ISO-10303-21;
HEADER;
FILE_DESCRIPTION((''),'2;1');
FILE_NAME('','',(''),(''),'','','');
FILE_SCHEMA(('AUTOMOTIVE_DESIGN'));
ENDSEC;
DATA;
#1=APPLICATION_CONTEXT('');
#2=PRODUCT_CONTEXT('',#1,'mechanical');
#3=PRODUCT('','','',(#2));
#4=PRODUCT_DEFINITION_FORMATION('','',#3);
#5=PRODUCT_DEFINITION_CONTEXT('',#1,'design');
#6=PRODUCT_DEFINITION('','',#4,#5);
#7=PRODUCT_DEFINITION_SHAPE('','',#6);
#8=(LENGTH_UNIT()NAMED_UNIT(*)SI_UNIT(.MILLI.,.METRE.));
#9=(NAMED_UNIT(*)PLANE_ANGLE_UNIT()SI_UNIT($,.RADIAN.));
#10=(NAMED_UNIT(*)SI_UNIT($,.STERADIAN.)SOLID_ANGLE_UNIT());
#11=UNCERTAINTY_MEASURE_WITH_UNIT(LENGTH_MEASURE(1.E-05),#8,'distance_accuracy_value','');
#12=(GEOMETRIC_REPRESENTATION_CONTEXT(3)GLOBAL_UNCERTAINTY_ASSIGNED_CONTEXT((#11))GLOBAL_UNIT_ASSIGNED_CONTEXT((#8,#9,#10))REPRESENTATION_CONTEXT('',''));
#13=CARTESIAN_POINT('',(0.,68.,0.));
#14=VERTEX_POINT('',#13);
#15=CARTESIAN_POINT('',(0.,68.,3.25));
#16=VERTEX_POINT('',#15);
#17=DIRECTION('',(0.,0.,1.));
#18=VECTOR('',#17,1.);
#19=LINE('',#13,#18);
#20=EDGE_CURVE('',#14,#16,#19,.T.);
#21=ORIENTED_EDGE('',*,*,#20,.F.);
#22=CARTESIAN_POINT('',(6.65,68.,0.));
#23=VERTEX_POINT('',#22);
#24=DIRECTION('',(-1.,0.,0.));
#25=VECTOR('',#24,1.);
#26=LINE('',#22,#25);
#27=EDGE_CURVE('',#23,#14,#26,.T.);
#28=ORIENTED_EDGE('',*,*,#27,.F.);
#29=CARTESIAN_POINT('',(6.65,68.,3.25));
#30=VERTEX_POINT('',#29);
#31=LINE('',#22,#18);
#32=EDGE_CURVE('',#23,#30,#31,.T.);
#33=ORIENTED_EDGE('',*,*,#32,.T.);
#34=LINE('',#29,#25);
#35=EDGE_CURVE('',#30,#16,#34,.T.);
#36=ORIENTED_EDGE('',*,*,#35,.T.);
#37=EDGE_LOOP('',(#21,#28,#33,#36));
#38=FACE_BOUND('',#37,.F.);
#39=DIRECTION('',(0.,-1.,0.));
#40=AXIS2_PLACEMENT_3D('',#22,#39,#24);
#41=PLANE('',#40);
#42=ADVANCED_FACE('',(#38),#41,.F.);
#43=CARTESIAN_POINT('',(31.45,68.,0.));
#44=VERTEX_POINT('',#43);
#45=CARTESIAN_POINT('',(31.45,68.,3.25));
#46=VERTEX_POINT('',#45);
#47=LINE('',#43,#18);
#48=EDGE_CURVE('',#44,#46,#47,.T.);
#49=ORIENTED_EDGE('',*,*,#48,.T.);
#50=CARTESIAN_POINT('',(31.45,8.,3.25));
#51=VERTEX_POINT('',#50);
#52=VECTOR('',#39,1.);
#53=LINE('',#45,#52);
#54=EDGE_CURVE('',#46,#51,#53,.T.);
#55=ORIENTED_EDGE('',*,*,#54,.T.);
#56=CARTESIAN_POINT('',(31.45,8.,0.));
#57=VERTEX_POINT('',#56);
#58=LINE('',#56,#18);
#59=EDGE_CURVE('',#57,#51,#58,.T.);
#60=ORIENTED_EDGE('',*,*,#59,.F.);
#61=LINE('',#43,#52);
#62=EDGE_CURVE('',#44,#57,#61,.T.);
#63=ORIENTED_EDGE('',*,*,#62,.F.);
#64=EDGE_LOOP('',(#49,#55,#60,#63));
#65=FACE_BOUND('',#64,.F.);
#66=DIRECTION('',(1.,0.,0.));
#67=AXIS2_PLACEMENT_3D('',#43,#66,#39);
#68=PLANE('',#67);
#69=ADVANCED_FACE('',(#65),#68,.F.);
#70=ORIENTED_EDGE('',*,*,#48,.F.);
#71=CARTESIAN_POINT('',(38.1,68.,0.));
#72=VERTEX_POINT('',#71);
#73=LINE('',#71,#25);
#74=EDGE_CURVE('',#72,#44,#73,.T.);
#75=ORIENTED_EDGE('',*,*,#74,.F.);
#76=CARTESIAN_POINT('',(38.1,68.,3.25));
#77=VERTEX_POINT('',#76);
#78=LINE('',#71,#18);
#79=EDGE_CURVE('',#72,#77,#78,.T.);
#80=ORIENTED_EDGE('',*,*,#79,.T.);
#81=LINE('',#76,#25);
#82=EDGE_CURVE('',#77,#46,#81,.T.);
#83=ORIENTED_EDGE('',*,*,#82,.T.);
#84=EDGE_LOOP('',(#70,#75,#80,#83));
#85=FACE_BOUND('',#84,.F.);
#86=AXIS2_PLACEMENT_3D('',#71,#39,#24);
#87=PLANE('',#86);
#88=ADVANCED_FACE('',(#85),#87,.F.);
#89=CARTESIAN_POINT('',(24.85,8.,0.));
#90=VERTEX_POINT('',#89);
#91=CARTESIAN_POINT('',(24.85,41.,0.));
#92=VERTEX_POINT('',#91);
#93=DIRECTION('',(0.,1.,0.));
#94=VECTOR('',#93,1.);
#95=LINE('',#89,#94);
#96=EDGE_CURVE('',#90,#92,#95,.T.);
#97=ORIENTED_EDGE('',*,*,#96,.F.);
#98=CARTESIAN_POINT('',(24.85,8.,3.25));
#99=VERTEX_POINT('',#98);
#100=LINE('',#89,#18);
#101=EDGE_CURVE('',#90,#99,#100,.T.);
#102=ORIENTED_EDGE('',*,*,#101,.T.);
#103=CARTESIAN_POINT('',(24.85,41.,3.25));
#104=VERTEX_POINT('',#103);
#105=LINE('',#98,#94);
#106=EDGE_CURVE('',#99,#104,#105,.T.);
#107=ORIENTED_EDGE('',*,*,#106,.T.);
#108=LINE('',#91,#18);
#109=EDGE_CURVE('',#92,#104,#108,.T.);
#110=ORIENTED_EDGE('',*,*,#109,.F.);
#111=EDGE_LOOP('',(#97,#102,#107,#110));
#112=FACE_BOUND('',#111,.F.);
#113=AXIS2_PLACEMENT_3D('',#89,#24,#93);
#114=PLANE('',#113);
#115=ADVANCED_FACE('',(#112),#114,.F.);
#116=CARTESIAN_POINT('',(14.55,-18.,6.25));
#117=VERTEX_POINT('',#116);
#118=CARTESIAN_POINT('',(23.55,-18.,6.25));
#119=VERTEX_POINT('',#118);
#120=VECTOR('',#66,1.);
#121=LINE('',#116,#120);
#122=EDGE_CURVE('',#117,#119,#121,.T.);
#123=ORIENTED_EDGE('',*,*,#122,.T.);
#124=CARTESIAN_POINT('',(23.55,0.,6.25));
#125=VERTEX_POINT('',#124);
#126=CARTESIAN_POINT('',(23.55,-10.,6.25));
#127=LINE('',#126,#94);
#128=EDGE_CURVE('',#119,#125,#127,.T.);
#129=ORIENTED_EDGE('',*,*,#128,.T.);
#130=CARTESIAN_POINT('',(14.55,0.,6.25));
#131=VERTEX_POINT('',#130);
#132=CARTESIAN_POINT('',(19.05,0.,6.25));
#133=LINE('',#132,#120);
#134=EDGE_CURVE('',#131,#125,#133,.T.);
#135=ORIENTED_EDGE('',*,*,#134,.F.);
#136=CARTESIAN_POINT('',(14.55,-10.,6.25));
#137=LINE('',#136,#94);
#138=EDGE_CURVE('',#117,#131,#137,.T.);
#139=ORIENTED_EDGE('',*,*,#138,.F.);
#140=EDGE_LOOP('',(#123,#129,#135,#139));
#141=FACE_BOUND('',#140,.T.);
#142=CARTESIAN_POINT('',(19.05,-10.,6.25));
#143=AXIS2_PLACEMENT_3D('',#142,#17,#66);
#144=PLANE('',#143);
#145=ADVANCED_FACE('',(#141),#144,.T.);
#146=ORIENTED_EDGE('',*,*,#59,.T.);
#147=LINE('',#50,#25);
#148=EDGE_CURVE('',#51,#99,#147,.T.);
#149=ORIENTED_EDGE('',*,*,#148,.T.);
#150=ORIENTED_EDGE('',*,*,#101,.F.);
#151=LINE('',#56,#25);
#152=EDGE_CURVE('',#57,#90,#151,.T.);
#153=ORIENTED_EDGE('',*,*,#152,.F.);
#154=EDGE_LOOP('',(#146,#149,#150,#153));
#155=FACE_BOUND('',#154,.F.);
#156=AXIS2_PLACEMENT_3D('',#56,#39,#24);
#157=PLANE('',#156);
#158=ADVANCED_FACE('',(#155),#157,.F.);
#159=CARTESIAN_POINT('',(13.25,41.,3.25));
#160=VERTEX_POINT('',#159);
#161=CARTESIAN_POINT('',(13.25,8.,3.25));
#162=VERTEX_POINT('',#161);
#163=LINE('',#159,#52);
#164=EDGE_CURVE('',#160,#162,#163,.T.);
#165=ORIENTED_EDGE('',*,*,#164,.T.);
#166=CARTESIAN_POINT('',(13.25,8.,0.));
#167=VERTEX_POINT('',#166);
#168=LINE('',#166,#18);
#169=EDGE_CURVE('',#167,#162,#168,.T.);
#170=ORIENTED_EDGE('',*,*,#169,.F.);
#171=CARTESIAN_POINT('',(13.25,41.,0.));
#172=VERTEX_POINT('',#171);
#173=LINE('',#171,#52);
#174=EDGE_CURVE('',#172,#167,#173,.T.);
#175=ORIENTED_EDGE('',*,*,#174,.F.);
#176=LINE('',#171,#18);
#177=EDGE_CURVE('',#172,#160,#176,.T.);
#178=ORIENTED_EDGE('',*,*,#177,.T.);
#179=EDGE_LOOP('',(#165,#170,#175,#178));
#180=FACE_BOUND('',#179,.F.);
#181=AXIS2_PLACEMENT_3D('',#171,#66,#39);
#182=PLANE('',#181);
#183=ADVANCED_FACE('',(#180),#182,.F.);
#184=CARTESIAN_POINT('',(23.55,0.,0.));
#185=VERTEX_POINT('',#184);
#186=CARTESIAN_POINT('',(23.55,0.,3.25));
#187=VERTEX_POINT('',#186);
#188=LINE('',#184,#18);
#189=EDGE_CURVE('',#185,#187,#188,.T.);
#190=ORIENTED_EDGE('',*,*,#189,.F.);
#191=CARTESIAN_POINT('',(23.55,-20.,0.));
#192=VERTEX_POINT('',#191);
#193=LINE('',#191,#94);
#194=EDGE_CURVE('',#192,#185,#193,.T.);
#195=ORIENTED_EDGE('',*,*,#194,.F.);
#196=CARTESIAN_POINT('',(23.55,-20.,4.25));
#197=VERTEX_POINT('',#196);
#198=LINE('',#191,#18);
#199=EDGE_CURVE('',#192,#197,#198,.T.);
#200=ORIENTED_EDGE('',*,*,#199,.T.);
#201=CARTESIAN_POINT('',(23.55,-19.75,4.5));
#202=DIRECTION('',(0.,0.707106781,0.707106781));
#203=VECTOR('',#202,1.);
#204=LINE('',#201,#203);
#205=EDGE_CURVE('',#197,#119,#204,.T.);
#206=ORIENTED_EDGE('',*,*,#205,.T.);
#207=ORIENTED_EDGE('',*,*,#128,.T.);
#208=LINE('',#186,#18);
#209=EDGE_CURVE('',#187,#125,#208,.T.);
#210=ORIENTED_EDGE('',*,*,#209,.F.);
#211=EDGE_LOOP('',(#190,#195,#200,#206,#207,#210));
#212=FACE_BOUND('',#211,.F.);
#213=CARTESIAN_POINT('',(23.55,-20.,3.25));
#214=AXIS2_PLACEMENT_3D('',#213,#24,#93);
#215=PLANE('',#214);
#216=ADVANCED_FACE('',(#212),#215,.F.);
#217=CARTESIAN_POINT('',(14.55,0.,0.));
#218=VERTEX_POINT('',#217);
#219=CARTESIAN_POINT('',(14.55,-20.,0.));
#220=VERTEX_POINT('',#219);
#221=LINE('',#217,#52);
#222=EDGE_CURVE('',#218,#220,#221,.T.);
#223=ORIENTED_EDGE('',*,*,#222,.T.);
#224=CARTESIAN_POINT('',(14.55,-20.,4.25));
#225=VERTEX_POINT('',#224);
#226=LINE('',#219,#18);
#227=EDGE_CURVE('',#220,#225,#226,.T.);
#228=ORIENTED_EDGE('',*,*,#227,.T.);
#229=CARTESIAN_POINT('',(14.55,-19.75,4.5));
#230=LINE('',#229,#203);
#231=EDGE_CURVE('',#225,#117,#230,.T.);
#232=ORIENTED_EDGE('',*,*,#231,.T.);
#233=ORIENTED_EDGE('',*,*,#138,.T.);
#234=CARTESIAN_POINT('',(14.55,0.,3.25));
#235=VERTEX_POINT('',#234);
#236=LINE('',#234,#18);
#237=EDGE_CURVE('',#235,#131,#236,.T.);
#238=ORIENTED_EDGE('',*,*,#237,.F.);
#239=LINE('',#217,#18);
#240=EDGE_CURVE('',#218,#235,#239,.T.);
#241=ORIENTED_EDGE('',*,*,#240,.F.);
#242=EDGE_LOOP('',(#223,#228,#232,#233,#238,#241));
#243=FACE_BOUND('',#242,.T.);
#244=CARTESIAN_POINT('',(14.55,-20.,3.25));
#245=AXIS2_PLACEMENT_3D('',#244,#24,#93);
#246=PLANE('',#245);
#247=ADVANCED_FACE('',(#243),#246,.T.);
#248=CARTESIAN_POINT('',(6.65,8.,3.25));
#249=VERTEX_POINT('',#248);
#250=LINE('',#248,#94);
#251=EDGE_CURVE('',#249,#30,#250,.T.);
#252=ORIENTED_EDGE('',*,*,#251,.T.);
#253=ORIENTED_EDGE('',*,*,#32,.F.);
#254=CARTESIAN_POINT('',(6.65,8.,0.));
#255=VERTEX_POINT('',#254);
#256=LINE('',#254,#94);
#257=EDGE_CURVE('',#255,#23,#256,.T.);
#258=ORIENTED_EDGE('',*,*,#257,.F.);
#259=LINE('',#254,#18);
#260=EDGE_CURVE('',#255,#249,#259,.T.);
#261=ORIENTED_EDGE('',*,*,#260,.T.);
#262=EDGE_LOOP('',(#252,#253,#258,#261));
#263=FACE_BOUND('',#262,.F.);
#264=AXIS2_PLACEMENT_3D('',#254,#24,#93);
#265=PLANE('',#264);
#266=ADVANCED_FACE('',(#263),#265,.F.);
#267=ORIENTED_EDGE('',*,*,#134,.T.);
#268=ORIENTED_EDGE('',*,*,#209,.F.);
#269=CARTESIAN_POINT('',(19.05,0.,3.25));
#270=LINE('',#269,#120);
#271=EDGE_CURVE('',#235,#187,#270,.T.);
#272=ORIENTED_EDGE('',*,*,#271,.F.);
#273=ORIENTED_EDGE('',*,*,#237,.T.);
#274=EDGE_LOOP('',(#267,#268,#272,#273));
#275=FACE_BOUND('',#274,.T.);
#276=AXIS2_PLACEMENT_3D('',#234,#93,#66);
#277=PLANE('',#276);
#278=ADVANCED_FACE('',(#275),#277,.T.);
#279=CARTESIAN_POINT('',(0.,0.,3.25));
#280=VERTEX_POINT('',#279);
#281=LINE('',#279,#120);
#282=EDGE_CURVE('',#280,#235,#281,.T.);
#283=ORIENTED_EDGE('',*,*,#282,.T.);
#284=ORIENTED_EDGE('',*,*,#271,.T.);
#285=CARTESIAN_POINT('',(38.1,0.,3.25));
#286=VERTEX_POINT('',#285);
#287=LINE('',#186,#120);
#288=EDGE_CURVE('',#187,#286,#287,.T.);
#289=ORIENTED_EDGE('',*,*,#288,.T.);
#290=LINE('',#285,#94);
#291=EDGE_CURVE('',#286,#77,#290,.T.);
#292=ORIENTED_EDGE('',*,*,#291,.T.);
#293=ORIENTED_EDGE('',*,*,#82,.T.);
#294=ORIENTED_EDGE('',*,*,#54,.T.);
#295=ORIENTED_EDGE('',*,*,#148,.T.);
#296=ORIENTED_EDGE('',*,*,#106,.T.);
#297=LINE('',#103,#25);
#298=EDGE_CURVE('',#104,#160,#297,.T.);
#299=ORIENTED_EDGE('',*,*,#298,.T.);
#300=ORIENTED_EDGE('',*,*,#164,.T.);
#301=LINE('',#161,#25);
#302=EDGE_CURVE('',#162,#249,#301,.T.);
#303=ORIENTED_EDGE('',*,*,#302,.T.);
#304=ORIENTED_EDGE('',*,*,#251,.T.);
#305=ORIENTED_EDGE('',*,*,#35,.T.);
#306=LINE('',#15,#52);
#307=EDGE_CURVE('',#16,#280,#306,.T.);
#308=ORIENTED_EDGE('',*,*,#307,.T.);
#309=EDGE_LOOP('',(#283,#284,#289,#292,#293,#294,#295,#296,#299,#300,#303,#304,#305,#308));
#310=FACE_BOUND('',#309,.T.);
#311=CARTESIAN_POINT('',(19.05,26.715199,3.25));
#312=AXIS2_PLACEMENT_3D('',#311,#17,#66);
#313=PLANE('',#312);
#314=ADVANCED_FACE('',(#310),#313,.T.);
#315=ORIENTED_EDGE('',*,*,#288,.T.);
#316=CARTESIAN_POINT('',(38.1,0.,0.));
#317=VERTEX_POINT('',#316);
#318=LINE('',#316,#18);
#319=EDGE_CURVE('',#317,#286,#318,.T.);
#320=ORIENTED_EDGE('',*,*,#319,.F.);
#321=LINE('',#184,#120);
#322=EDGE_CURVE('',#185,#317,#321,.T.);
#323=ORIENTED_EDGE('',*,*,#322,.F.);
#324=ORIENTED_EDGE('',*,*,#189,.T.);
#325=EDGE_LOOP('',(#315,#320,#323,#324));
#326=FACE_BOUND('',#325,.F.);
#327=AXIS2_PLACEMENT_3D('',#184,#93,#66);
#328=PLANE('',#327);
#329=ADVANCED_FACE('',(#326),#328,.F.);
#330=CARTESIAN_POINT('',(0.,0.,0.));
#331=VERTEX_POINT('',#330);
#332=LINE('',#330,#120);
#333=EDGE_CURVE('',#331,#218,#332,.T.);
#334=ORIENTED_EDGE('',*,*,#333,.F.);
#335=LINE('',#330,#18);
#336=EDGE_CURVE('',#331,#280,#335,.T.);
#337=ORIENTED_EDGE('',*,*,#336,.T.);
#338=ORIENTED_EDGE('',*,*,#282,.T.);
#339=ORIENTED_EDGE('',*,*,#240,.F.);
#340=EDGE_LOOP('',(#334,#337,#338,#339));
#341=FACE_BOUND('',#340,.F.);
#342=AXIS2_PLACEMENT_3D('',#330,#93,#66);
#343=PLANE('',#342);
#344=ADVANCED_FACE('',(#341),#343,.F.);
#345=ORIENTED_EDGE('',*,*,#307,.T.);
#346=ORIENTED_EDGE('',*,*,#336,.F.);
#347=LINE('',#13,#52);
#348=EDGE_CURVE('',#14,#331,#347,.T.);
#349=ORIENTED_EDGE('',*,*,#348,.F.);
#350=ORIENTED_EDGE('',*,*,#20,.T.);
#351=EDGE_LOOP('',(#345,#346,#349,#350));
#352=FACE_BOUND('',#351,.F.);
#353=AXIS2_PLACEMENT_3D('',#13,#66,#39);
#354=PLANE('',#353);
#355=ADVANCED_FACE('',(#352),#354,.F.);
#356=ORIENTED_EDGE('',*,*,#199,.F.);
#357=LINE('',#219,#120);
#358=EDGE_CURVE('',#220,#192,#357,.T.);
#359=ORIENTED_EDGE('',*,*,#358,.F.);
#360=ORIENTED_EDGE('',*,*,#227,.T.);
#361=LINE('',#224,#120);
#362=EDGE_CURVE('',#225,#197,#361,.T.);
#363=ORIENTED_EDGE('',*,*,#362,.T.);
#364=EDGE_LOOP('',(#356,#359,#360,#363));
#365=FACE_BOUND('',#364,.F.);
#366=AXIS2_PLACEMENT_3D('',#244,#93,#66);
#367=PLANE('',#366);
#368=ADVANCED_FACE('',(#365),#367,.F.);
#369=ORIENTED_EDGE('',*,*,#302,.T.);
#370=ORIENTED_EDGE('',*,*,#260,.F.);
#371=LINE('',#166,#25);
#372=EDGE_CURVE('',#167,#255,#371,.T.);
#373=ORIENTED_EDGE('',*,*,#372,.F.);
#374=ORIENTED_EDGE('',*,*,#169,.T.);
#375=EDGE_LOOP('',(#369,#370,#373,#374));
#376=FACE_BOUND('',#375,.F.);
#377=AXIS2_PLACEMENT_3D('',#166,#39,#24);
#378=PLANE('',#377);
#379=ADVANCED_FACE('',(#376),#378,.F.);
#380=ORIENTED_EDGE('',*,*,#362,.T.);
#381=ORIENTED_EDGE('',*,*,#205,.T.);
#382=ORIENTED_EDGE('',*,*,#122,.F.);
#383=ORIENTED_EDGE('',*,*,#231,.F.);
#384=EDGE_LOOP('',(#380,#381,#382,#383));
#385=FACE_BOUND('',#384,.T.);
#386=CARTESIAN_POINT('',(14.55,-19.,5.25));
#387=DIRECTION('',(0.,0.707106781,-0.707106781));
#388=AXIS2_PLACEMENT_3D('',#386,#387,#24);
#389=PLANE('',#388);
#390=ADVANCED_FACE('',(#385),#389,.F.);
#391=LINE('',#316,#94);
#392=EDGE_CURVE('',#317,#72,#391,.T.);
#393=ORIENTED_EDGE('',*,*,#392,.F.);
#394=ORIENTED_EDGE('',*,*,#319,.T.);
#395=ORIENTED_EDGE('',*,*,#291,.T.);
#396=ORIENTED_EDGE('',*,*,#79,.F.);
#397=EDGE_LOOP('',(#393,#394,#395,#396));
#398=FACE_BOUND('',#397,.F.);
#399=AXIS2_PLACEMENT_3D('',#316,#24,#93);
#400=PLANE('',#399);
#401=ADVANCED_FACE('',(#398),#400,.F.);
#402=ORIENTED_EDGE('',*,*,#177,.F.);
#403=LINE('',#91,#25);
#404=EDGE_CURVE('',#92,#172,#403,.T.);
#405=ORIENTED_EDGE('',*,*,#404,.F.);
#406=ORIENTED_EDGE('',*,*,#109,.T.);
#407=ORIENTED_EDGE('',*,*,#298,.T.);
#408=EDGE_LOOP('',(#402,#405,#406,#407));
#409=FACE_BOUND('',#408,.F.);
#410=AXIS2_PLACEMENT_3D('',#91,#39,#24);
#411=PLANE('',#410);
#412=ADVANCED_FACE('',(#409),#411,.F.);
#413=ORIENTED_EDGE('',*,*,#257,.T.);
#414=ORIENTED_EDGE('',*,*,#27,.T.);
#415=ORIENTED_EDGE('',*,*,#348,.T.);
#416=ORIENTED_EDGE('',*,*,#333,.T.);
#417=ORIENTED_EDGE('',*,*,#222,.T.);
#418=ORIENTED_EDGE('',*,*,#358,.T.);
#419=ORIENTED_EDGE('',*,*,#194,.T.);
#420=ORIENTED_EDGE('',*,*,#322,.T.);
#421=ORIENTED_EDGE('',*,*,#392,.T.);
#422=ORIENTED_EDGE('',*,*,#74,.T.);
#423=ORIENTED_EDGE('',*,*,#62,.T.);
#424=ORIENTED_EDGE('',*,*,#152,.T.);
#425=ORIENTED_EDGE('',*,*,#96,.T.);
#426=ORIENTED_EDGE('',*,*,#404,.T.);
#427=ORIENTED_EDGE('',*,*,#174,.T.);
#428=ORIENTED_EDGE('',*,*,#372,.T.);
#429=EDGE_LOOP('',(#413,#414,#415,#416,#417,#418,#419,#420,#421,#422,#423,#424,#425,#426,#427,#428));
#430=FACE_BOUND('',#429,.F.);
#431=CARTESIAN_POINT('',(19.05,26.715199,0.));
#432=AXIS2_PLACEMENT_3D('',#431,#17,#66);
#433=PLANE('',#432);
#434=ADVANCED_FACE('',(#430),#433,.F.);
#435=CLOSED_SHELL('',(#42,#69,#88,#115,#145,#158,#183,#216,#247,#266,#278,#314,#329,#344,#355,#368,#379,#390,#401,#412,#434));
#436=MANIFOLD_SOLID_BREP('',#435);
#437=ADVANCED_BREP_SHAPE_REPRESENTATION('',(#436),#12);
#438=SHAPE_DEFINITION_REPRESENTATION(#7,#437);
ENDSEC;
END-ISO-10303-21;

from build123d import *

# Parameters (mm, degrees)
PAD_DEPTH    = 3.25
SKETCH001_W  = 9
SKETCH001_H  = 20
PAD001_DEPTH = 3
CHAMFER_SIZE = 2


with BuildPart() as part:
    # Sketch → Pad (new body)
    with BuildSketch(Plane.XY):
        Polygon((38.1, 0), (38.1, 8), (38.1, 68), (31.45, 68), (31.45, 8), (24.85, 8), (24.85, 41), (13.25, 41), (13.25, 8), (6.65, 8), (6.65, 68), (0, 68), (0, 8), (0, 0), (14.55, 0), (14.55, -20), (23.55, -20), (23.55, 0), align=None)
    extrude(amount=PAD_DEPTH)

    # Sketch001 (on Face20 of Pad) → Pad001 (join)
    with BuildSketch(Plane.XY.offset(3.25)):
        with Locations((19.05, -10)):
            Rectangle(SKETCH001_W, SKETCH001_H)
    extrude(amount=PAD001_DEPTH)

    # Chamfer
    chamfer_edges = [part.edges().sort_by_distance(p)[0] for p in [
        (19.05, -20, 6.25),
    ]]
    chamfer(chamfer_edges, length=CHAMFER_SIZE)


solid = part.part
